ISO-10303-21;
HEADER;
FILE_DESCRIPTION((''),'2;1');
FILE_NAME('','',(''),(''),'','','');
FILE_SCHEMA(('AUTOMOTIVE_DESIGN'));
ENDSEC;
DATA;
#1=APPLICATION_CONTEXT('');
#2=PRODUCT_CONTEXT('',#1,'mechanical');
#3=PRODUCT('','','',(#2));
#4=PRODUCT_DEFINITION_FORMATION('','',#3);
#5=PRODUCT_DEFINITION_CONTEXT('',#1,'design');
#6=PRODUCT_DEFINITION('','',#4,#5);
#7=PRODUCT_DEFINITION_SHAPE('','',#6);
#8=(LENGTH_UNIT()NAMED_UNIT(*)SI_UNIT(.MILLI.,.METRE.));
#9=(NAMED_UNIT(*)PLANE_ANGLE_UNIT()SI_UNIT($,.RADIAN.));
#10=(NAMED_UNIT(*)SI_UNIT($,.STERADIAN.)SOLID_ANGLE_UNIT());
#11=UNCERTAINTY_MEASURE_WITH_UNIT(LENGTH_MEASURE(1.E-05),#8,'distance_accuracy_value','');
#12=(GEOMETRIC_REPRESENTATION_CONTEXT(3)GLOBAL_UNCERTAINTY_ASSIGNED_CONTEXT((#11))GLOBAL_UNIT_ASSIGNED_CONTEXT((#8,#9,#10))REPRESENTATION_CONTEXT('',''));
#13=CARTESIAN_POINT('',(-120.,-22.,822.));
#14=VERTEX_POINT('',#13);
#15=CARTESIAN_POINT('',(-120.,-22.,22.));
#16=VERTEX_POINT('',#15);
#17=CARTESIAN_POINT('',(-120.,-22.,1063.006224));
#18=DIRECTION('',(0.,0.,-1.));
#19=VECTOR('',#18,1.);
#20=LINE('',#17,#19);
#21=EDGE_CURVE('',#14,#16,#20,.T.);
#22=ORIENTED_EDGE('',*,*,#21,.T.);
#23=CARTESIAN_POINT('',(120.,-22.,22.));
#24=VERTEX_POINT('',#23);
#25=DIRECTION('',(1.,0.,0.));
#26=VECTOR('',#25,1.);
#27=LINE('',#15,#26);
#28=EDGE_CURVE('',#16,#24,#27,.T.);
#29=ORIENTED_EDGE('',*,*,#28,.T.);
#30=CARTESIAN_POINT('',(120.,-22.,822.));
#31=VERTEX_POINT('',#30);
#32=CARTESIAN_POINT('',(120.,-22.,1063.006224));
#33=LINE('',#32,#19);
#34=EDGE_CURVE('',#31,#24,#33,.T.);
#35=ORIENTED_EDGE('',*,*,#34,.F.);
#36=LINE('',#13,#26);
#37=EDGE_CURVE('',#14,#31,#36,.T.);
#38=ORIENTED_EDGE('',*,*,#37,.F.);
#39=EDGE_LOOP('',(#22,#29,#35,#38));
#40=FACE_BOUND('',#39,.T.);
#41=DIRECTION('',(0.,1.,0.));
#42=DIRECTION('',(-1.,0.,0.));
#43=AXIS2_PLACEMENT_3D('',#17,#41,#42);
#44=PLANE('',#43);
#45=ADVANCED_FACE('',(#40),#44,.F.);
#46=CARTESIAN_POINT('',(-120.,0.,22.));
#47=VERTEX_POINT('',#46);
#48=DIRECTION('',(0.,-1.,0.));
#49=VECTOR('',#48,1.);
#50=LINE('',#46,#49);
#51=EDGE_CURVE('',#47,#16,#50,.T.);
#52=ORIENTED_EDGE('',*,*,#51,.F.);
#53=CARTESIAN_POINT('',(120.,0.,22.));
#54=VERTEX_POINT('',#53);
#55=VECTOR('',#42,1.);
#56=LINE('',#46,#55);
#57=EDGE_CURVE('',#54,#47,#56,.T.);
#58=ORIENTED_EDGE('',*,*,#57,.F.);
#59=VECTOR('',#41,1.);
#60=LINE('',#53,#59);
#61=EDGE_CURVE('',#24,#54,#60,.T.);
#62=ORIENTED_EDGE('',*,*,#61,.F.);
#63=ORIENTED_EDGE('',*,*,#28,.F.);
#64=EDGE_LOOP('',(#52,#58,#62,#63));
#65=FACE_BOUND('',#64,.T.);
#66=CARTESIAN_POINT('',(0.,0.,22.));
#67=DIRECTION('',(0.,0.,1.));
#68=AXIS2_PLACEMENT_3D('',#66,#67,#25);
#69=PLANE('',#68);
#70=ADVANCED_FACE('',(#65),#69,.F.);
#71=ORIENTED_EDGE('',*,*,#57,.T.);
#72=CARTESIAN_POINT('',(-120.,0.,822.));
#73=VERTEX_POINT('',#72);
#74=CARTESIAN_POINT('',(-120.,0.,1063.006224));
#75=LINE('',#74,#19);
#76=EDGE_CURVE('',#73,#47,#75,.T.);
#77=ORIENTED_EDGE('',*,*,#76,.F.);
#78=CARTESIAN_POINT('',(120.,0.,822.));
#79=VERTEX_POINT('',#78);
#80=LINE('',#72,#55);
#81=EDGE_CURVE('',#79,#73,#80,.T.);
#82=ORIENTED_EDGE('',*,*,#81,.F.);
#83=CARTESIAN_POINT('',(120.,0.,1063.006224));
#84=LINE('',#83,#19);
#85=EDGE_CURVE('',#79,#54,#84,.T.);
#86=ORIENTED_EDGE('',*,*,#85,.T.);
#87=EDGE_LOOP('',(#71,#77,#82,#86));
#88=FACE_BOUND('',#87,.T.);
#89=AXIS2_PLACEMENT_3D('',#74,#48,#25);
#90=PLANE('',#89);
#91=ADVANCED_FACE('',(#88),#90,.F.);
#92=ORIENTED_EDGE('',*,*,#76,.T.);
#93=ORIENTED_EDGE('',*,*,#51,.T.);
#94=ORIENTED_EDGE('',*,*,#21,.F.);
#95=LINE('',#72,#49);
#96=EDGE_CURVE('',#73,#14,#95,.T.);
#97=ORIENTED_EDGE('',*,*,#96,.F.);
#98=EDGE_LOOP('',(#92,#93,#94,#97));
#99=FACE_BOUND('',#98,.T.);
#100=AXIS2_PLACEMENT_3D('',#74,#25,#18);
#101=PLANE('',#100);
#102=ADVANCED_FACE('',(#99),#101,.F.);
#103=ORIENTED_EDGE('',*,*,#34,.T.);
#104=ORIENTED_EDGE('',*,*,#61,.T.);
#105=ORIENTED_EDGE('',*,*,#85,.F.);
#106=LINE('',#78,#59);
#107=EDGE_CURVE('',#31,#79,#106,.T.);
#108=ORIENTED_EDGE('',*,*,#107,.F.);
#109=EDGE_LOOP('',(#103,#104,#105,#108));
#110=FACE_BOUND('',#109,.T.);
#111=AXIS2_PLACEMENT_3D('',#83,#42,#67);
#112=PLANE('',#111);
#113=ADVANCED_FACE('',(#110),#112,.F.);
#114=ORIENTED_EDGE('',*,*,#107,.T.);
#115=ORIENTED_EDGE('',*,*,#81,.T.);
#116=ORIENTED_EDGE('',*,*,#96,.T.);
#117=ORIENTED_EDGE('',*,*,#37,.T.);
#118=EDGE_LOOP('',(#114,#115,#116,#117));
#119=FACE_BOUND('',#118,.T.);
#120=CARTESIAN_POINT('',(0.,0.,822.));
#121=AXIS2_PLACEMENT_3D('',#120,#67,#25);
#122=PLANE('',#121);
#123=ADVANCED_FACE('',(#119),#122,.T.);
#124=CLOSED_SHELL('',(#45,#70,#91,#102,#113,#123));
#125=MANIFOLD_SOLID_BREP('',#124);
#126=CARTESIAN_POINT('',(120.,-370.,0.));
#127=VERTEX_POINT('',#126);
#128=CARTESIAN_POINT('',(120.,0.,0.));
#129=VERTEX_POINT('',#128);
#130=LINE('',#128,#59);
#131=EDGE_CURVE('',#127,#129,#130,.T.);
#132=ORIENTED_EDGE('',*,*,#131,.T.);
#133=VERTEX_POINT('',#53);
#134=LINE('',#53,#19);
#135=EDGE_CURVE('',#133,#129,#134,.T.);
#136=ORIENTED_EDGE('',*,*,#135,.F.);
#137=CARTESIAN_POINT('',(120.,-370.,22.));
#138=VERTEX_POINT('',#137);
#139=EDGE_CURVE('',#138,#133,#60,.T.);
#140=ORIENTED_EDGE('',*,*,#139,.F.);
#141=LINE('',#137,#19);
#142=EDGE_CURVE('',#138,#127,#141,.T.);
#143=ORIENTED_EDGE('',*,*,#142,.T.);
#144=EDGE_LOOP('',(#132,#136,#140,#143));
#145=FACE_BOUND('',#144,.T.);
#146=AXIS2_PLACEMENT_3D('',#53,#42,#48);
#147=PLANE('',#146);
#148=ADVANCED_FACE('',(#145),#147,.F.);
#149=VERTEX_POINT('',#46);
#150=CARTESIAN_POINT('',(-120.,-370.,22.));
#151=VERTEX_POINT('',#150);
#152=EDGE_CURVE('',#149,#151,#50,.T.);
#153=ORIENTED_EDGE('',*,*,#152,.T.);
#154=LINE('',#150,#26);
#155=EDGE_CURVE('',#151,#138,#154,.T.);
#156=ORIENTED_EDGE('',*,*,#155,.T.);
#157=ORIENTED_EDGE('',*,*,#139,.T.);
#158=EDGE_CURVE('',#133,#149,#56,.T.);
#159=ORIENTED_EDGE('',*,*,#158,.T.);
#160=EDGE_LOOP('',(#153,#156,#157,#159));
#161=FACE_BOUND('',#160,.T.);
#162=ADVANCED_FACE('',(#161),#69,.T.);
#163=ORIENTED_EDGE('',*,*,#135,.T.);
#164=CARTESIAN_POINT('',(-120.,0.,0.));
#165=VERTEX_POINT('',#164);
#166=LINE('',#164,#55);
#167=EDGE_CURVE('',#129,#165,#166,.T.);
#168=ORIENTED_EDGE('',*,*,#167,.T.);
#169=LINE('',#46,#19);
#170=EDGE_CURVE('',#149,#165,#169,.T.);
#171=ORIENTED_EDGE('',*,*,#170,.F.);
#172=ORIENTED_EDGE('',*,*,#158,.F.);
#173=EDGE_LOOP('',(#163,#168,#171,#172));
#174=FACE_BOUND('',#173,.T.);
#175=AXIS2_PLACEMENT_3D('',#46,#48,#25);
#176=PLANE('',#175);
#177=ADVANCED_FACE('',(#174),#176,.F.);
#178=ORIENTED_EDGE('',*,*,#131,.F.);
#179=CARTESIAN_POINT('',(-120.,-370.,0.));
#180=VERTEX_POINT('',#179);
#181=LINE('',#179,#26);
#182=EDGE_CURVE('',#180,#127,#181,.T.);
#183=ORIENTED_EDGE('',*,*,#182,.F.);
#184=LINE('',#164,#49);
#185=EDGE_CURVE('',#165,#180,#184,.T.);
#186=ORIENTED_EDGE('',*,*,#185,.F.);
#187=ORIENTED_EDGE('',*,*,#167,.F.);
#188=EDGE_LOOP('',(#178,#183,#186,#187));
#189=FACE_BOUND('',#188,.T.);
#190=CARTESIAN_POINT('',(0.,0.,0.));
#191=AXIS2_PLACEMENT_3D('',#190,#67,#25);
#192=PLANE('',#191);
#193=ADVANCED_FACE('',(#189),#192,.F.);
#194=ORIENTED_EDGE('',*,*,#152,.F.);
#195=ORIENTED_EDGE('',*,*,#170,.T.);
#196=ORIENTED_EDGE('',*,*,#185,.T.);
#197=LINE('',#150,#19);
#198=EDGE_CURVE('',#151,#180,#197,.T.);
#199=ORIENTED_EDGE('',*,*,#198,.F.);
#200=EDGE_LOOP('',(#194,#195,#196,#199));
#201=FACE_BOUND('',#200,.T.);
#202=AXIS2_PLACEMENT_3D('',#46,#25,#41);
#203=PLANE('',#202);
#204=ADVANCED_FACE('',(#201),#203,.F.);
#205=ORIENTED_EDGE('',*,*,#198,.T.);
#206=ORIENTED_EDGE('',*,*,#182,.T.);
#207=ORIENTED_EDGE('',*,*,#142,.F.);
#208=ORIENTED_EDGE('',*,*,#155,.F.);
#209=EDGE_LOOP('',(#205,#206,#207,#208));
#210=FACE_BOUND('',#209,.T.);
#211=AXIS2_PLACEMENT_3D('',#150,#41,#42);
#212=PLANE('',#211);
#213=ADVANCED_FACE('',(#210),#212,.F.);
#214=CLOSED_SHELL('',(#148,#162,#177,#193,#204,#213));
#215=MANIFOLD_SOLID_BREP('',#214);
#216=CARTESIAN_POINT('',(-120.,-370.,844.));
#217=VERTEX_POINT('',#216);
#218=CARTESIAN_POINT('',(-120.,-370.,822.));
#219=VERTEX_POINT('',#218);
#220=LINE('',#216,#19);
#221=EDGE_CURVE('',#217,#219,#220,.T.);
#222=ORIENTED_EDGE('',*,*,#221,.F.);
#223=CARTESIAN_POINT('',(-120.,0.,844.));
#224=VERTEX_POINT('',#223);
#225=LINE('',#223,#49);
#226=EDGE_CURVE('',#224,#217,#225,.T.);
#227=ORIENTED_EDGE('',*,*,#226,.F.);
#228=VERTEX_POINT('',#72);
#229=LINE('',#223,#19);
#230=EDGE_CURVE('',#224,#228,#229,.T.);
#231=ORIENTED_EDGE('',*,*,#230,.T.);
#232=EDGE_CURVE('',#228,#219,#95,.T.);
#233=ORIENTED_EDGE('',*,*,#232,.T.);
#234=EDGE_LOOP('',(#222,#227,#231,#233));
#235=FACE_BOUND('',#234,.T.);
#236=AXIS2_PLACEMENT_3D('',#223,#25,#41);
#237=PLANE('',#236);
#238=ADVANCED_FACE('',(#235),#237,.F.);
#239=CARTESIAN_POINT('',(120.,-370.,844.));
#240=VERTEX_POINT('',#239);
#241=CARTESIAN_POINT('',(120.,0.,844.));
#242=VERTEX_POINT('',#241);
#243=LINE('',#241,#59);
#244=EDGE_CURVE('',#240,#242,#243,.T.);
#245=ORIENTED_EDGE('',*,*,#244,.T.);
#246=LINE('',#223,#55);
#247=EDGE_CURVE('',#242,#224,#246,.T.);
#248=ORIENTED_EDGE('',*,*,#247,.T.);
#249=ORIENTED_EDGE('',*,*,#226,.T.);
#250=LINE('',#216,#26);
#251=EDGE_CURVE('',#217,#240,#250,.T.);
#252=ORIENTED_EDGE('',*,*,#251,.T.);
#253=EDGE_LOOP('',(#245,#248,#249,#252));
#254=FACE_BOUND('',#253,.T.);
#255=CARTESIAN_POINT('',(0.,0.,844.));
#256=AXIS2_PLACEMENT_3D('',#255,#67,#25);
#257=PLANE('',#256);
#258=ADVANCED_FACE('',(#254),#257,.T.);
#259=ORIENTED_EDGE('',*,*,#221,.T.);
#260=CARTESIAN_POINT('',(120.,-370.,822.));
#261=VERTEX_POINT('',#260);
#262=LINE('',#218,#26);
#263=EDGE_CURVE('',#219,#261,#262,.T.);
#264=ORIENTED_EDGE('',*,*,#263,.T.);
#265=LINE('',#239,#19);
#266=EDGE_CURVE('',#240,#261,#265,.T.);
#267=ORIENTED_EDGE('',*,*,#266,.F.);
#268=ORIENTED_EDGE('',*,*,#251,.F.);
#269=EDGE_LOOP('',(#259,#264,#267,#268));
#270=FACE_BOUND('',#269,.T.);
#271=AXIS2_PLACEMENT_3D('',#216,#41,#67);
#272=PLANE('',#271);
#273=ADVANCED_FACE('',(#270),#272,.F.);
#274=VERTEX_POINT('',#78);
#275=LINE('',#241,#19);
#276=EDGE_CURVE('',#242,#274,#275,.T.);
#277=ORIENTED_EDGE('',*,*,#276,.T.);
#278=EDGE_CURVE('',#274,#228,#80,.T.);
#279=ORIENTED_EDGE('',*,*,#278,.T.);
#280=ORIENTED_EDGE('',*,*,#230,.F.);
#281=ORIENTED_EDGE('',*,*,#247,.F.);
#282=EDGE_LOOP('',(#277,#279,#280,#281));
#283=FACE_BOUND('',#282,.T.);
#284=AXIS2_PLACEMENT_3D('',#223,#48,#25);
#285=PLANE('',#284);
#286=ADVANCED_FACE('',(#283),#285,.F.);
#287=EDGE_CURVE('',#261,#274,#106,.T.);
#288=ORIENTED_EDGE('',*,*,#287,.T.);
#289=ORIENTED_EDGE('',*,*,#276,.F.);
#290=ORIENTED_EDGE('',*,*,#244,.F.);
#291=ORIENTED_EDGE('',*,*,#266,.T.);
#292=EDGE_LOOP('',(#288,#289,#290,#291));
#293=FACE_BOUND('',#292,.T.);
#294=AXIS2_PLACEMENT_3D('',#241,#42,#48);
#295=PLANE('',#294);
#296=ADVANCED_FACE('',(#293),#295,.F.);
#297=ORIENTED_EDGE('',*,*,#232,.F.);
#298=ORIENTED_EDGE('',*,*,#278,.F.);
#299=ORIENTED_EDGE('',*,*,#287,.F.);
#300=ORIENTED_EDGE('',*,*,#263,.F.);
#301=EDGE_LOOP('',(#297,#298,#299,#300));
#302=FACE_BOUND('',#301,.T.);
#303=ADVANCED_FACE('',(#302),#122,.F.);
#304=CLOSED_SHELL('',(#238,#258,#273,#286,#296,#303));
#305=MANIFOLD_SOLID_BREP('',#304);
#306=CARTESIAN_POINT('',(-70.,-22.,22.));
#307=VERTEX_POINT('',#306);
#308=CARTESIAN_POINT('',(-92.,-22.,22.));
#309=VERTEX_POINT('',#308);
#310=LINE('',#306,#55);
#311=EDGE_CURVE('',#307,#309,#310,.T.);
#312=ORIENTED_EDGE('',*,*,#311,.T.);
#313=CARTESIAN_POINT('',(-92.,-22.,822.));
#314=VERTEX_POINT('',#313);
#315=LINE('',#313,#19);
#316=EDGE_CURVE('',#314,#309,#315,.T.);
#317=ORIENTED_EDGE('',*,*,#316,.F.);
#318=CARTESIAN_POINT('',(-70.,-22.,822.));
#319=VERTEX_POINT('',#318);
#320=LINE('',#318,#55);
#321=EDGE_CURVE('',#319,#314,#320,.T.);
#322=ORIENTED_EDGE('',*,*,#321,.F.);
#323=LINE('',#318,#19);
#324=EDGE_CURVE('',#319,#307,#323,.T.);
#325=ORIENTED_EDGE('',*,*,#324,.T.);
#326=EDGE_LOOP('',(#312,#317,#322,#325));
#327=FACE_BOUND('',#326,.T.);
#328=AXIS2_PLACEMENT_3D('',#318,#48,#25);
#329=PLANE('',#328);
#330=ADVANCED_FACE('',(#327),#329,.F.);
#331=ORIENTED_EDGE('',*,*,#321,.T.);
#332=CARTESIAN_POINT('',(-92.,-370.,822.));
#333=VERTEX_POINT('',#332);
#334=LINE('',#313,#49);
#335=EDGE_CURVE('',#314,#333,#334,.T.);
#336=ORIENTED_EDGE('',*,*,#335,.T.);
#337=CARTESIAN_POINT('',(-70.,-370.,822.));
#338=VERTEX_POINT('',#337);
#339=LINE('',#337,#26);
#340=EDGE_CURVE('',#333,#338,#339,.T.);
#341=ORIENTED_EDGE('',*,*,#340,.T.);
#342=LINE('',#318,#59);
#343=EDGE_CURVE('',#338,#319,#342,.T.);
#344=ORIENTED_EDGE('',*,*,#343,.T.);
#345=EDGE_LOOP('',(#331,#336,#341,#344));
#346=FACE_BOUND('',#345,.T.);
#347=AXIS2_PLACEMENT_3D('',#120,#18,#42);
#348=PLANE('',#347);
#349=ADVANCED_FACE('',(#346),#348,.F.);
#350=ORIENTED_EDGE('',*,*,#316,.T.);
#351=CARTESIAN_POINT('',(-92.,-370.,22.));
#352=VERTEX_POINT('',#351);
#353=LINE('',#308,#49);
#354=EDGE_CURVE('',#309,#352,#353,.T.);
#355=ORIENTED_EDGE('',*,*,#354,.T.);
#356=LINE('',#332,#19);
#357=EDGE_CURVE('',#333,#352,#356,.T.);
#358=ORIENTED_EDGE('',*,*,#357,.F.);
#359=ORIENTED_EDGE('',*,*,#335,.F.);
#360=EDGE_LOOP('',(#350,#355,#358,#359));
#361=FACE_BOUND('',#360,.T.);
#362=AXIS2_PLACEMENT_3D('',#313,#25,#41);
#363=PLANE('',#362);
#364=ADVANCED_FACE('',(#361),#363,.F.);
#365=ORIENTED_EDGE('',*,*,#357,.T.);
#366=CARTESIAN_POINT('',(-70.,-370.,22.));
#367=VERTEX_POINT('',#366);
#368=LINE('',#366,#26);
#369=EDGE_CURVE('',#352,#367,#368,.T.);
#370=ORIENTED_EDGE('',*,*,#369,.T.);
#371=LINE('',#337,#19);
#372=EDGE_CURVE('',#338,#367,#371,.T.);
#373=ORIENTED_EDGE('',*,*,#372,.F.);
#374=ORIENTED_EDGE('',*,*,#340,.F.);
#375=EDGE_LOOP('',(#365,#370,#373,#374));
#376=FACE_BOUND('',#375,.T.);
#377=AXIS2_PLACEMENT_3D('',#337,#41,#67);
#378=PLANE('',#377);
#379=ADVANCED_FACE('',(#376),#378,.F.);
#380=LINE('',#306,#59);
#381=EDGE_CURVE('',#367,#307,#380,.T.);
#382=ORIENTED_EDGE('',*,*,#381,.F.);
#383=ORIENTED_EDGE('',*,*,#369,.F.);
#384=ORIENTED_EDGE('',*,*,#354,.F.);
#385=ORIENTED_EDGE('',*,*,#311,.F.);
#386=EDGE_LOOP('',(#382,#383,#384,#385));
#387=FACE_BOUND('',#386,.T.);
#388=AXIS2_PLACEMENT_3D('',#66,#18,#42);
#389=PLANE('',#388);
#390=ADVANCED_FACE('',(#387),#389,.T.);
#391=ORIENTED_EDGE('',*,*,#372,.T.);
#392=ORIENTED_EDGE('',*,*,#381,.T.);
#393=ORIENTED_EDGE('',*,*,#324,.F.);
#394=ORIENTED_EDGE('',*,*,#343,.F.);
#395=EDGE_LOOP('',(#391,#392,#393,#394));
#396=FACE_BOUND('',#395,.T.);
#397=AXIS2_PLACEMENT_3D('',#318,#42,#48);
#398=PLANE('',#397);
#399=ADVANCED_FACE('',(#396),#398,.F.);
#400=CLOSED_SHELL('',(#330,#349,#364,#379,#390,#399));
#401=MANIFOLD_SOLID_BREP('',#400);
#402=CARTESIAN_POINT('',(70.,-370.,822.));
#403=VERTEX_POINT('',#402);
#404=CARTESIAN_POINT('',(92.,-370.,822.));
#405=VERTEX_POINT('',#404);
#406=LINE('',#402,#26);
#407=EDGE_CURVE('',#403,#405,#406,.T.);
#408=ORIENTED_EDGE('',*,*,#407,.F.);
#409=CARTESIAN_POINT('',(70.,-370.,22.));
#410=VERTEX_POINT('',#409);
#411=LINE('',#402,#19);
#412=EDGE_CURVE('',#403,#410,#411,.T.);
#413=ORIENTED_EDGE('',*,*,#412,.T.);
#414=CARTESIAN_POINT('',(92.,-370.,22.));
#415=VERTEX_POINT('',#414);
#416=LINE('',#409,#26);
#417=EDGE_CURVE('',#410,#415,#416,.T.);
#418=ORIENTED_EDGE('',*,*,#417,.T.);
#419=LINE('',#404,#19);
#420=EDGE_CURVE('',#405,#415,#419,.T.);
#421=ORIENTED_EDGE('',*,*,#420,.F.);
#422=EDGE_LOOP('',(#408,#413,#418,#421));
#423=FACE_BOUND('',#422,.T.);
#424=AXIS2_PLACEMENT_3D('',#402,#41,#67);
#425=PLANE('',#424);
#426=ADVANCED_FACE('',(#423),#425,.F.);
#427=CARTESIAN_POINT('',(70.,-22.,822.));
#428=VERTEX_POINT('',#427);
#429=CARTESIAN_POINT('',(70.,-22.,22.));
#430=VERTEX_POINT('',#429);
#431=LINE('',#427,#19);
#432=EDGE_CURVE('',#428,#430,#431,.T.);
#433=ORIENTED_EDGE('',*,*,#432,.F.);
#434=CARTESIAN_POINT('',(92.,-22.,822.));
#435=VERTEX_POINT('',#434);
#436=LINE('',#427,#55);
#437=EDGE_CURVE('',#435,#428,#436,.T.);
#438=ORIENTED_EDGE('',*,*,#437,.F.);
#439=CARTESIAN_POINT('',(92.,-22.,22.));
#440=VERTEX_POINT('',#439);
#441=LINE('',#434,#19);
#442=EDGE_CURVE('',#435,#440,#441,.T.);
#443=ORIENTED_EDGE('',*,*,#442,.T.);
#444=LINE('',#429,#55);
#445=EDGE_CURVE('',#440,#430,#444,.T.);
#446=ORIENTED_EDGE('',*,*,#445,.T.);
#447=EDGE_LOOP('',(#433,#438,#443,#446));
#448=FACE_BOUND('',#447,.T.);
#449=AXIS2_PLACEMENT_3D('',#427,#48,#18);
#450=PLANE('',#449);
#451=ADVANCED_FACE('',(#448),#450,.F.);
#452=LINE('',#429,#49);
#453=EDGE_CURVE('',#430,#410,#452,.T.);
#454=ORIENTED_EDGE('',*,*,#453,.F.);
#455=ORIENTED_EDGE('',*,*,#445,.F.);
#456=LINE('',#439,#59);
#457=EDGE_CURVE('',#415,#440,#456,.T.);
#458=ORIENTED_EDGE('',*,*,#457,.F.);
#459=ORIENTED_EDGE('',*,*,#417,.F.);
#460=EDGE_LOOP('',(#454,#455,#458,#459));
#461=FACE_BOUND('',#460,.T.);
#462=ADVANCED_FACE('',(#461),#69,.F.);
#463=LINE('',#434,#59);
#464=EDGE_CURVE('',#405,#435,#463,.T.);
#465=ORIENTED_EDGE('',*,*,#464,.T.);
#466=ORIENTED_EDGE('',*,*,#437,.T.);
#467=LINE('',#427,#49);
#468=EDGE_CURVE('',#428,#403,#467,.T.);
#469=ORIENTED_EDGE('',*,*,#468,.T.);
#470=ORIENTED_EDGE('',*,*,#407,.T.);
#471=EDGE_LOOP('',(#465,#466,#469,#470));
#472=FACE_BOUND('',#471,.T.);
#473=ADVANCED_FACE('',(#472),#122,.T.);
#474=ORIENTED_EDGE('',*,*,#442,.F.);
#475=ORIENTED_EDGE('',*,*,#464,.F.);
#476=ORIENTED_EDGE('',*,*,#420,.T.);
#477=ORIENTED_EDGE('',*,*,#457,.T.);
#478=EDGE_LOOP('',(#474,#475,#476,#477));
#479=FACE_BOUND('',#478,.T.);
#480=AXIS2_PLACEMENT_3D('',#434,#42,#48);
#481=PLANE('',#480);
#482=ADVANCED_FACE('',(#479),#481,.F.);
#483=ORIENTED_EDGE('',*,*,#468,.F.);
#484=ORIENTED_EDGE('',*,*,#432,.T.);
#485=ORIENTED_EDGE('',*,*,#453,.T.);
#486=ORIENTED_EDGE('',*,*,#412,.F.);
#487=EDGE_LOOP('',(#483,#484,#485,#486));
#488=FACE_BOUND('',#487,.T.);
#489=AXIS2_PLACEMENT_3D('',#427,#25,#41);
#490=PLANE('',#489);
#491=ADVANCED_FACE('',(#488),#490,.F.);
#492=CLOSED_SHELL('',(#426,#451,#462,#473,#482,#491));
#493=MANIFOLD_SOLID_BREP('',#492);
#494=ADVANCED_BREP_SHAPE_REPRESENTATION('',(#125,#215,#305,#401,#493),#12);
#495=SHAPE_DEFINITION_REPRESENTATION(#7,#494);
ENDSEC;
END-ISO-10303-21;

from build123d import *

# Parameters (mm, degrees)
SKIZZE1_W                         = 240
SKIZZE1_H                         = 370
AUFSATZ_LINEAR_AUSTRAGEN1_DEPTH   = 22
SKIZZE2_W                         = 22
SKIZZE2_H                         = 348
AUFSATZ_LINEAR_AUSTRAGEN2_DEPTH   = 800
AUFSATZ_LINEAR_AUSTRAGEN2_2_DEPTH = 800
SKIZZE3_W                         = 240
SKIZZE3_H                         = 22
AUFSATZ_LINEAR_AUSTRAGEN3_DEPTH   = 800
SKIZZE4_W                         = 240
SKIZZE4_H                         = 370
AUFSATZ_LINEAR_AUSTRAGEN4_DEPTH   = 22


with BuildPart() as part:
    # Skizze1 → Aufsatz-Linear austragen1 (new body)
    with BuildSketch(Plane.XY):
        with Locations((0, -185)):
            Rectangle(SKIZZE1_W, SKIZZE1_H)
    extrude(amount=AUFSATZ_LINEAR_AUSTRAGEN1_DEPTH)


with BuildPart() as body_2:
    # Skizze2 → Aufsatz-Linear austragen2 (new body)
    with BuildSketch(Plane.XY.offset(22)):
        with Locations((81, -196)):
            Rectangle(SKIZZE2_W, SKIZZE2_H)
    extrude(amount=AUFSATZ_LINEAR_AUSTRAGEN2_DEPTH)


with BuildPart() as body_3:
    # Skizze2 → Aufsatz-Linear austragen2 2 (new body)
    with BuildSketch(Plane.XY.offset(22)):
        with Locations((-81, -196)):
            Rectangle(SKIZZE2_W, SKIZZE2_H)
    extrude(amount=AUFSATZ_LINEAR_AUSTRAGEN2_2_DEPTH)


with BuildPart() as body_4:
    # Skizze3 → Aufsatz-Linear austragen3 (new body)
    with BuildSketch(Plane.XY.offset(22)):
        with Locations((0, -11)):
            Rectangle(SKIZZE3_W, SKIZZE3_H)
    extrude(amount=AUFSATZ_LINEAR_AUSTRAGEN3_DEPTH)


with BuildPart() as body_5:
    # Skizze4 → Aufsatz-Linear austragen4 (new body)
    with BuildSketch(Plane.XY.offset(822)):
        with Locations((0, -185)):
            Rectangle(SKIZZE4_W, SKIZZE4_H)
    extrude(amount=AUFSATZ_LINEAR_AUSTRAGEN4_DEPTH)


solid = Compound([part.part, body_2.part, body_3.part, body_4.part, body_5.part])
